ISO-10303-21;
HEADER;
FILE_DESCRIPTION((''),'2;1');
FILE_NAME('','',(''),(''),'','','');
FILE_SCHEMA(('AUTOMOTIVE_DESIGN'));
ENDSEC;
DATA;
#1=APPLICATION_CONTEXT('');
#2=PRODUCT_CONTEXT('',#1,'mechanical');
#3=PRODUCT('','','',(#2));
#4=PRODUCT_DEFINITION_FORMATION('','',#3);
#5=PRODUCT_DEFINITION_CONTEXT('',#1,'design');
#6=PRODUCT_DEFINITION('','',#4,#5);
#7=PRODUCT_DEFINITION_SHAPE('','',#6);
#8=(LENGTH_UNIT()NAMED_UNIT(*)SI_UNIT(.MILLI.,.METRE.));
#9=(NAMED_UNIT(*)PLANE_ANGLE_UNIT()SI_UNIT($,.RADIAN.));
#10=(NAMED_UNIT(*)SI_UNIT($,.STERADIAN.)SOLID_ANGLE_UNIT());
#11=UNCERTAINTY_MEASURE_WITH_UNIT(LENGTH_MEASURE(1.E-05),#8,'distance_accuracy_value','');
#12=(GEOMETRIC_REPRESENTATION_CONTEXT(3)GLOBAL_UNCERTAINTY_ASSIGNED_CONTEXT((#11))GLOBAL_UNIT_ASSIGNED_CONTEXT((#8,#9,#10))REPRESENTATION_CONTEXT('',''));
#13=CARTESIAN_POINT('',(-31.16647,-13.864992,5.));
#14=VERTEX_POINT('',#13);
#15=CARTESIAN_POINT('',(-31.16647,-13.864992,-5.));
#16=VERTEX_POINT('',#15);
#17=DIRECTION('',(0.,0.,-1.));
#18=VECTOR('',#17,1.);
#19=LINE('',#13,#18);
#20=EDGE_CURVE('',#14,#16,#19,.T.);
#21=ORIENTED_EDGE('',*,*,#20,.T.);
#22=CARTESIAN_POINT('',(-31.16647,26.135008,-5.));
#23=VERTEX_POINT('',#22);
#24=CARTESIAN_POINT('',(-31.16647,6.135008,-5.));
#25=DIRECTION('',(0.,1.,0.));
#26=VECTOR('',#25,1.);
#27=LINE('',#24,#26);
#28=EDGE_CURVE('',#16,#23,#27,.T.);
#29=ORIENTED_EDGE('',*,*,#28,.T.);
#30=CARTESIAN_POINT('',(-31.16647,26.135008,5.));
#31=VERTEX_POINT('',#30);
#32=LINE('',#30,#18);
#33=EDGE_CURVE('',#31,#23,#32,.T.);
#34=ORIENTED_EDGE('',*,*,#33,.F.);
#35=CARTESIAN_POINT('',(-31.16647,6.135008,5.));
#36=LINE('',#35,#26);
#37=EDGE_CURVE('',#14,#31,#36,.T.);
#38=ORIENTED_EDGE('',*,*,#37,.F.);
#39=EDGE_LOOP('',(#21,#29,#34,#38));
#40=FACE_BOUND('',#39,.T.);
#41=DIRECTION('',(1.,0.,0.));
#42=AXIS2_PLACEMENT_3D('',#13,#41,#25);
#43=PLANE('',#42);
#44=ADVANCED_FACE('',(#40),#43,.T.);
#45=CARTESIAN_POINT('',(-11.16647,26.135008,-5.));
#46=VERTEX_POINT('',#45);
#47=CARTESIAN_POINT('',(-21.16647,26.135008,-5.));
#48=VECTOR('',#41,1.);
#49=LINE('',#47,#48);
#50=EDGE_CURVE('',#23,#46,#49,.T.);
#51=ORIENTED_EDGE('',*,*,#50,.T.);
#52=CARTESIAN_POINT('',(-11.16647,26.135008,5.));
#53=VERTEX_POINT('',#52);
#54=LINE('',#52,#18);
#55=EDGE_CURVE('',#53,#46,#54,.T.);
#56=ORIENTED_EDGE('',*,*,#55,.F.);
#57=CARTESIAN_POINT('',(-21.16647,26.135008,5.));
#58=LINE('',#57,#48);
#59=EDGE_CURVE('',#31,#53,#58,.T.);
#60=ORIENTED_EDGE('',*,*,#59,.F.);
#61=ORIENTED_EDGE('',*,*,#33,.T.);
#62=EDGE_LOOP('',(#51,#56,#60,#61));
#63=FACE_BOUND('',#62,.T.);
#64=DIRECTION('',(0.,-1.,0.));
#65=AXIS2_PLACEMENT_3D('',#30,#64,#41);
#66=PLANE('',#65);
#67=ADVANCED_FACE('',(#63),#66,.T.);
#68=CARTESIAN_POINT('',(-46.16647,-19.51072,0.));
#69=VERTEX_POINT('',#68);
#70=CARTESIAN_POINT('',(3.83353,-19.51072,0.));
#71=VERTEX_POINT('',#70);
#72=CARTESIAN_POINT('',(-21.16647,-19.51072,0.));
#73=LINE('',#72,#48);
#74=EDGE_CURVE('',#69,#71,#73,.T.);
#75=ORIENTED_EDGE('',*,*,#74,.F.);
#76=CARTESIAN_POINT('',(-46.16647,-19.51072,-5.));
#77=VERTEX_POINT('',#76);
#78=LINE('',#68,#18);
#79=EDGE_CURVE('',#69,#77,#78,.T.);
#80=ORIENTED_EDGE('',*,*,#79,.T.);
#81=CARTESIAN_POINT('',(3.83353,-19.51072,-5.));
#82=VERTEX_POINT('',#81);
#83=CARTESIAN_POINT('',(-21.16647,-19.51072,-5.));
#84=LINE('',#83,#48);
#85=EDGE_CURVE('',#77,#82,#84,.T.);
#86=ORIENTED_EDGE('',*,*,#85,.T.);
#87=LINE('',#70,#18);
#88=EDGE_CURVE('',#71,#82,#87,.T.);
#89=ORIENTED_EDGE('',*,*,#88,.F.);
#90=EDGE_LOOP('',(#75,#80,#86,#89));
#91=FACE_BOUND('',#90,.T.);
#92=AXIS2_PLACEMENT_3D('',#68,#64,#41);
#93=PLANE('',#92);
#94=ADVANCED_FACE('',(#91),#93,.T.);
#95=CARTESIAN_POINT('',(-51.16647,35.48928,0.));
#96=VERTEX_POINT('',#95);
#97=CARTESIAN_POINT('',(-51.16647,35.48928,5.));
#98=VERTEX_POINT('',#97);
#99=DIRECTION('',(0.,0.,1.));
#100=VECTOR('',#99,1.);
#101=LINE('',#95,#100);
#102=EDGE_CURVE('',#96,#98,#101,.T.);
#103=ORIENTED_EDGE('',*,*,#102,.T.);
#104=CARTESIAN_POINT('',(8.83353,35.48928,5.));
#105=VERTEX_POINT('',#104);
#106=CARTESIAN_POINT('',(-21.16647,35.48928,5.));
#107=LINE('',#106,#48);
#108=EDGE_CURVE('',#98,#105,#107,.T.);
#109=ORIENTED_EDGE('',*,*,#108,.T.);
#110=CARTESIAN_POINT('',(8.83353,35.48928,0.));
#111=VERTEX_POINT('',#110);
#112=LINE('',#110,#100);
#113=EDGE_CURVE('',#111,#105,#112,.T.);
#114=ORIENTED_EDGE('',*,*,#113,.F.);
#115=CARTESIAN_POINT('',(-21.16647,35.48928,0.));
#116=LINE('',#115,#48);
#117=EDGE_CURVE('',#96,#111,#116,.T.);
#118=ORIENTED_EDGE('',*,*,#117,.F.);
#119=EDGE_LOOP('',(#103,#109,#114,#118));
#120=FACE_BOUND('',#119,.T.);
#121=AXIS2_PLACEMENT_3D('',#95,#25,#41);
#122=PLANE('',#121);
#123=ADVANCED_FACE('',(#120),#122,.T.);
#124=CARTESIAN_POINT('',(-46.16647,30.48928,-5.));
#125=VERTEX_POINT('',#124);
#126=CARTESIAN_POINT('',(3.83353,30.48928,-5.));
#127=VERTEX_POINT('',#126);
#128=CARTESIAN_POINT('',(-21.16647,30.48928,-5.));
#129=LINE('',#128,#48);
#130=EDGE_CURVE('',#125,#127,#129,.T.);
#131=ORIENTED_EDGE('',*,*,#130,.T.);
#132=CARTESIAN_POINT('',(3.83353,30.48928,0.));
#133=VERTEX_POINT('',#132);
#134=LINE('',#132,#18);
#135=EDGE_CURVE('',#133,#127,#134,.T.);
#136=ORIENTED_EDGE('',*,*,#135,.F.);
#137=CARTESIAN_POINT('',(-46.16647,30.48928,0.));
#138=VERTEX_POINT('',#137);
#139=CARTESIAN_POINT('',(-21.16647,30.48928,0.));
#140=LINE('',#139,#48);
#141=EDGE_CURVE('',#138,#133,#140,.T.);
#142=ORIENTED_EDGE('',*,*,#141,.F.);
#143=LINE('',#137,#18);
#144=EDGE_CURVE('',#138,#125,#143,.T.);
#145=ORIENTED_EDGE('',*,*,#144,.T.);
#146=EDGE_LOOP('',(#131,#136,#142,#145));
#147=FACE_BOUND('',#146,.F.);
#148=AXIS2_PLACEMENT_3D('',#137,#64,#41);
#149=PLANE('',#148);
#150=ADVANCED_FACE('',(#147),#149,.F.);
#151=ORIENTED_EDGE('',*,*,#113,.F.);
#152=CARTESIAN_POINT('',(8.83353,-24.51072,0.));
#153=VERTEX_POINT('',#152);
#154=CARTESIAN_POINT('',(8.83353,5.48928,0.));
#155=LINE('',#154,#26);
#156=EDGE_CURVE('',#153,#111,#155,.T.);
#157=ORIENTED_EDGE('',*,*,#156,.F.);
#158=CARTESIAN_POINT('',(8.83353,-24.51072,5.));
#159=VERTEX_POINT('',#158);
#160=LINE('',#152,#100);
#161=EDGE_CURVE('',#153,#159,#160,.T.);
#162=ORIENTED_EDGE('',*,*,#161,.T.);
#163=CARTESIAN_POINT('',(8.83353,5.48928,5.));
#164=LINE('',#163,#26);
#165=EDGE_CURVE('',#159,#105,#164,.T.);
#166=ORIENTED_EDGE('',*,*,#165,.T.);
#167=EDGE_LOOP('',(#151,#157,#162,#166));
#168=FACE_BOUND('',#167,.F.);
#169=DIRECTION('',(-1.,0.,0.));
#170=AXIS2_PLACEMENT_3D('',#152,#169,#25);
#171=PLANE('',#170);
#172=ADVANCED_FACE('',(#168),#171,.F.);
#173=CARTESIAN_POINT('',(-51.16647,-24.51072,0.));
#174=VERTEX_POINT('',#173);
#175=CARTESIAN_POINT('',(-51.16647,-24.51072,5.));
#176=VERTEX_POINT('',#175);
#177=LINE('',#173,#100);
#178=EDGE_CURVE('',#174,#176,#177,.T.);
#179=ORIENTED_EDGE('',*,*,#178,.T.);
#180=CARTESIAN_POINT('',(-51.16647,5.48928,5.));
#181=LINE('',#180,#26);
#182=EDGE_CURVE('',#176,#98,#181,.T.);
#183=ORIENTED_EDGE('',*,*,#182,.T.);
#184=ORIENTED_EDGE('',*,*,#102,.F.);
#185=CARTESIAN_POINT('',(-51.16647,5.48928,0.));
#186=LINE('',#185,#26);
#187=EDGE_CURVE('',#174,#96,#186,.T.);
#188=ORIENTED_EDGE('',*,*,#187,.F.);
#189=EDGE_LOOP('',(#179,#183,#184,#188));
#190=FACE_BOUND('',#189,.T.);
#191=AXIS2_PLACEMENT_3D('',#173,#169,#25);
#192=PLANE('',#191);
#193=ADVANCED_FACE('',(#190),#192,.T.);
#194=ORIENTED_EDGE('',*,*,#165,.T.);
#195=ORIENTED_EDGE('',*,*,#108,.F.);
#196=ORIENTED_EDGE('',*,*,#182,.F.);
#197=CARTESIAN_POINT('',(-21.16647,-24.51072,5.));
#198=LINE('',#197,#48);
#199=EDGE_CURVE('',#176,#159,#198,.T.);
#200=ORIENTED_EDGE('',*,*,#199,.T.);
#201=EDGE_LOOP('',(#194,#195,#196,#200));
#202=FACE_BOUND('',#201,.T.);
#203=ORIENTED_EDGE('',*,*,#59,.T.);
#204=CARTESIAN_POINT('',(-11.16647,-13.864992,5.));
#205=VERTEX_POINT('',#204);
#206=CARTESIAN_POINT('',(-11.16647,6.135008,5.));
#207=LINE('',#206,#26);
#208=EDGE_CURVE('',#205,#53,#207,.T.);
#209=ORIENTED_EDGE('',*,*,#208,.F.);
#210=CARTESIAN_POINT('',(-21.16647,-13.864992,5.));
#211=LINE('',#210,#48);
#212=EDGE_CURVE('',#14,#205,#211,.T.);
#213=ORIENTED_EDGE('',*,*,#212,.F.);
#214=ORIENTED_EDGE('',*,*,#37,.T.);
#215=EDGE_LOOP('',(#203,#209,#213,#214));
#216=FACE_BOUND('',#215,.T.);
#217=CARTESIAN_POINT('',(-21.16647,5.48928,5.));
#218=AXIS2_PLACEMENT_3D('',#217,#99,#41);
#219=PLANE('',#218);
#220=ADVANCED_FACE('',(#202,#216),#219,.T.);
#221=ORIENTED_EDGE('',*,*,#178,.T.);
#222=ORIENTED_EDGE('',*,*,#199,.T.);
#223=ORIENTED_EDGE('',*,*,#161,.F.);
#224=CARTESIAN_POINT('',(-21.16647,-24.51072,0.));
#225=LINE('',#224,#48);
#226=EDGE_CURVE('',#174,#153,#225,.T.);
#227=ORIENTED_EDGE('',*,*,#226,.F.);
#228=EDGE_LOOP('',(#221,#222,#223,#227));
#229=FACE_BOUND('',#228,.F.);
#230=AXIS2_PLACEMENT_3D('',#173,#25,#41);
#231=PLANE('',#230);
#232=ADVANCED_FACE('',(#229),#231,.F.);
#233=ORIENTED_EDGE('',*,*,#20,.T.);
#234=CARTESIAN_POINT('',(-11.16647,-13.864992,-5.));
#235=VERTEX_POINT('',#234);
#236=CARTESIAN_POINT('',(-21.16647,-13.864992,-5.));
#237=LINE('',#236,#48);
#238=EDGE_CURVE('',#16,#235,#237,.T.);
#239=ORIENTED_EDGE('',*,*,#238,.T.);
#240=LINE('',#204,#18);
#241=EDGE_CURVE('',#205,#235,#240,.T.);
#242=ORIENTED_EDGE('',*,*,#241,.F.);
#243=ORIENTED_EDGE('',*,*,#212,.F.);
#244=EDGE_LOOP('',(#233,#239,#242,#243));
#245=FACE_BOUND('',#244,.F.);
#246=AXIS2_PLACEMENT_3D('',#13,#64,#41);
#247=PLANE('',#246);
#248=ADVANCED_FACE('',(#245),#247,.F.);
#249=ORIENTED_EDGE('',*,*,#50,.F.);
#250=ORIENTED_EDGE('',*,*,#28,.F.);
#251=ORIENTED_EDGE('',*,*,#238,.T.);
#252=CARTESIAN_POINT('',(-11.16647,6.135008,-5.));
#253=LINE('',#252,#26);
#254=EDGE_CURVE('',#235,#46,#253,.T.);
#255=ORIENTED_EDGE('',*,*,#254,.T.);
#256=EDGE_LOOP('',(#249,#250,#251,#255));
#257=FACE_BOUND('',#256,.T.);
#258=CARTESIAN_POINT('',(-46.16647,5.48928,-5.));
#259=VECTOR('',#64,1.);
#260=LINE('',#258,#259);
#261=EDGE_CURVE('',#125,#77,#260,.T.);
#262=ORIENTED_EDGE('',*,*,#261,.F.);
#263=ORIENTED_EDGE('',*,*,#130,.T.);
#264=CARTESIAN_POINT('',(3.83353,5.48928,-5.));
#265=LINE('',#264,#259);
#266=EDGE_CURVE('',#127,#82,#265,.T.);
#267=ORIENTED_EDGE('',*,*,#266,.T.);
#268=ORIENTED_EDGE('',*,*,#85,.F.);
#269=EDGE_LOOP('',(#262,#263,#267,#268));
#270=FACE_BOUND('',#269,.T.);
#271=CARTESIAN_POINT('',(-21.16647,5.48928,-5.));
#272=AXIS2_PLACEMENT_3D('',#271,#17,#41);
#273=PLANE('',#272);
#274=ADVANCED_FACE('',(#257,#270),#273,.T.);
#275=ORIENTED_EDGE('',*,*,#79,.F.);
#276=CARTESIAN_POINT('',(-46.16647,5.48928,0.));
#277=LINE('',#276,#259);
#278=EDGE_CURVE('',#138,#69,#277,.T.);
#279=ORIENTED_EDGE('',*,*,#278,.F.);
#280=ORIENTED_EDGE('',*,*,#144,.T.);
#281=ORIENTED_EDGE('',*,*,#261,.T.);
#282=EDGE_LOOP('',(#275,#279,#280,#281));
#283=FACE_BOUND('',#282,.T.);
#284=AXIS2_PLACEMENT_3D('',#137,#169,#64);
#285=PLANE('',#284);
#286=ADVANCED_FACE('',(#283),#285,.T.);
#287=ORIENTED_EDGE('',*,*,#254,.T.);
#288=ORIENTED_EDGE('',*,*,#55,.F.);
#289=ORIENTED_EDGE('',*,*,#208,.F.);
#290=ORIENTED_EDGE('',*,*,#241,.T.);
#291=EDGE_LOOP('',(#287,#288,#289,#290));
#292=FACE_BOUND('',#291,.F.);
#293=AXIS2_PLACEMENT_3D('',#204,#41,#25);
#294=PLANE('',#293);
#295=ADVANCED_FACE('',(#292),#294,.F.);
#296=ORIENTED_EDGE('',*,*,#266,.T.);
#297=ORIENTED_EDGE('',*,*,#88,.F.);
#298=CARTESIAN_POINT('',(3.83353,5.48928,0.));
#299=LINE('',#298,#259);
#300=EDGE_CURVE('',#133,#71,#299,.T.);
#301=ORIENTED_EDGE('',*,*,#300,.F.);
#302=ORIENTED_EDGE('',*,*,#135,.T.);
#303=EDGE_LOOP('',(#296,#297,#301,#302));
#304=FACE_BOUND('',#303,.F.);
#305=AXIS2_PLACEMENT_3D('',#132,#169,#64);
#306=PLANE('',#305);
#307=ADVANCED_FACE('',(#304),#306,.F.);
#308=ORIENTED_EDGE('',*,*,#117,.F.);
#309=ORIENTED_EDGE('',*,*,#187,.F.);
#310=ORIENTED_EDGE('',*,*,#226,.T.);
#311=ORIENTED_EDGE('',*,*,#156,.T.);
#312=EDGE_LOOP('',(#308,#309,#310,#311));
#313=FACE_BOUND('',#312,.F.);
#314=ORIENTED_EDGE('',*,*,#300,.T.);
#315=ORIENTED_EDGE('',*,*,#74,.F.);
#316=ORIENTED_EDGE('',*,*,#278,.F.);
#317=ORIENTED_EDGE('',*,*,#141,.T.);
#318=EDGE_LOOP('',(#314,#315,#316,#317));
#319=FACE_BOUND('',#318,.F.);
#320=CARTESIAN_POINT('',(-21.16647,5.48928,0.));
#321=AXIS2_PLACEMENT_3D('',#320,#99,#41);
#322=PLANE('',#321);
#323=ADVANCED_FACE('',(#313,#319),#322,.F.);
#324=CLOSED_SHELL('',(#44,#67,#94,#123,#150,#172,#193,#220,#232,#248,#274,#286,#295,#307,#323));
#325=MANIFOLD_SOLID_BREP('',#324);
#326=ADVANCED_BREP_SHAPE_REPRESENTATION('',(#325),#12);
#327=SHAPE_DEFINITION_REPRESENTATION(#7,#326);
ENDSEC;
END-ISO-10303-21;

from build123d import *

# Parameters (mm, degrees)
F0_W     = 60
F0_H     = 60
F1_DEPTH = 5
F2_W     = 50
F2_H     = 50
F3_DEPTH = 5
F4_W     = 20
F4_H     = 40
F5_DEPTH = 10


with BuildPart() as f1:
    # F0 (on Top) → F1 (new body)
    with BuildSketch(Plane.XY):
        with Locations((-21.16647, 5.48928)):
            Rectangle(F0_W, F0_H)
    extrude(amount=F1_DEPTH)

    # F2 (on face) → F3 (join)
    with BuildSketch(Plane(origin=(0, 0, 0), x_dir=(1, 0, 0), z_dir=(0, 0, -1))):
        with Locations((-21.16647, -5.48928)):
            Rectangle(F2_W, F2_H)
    extrude(amount=F3_DEPTH)

    # F4 (on face) → F5 (cut)
    with BuildSketch(Plane.XY.offset(5)):
        with Locations((-21.16647, 6.135008)):
            Rectangle(F4_W, F4_H)
    extrude(amount=-F5_DEPTH, mode=Mode.SUBTRACT)


solid = f1.part
